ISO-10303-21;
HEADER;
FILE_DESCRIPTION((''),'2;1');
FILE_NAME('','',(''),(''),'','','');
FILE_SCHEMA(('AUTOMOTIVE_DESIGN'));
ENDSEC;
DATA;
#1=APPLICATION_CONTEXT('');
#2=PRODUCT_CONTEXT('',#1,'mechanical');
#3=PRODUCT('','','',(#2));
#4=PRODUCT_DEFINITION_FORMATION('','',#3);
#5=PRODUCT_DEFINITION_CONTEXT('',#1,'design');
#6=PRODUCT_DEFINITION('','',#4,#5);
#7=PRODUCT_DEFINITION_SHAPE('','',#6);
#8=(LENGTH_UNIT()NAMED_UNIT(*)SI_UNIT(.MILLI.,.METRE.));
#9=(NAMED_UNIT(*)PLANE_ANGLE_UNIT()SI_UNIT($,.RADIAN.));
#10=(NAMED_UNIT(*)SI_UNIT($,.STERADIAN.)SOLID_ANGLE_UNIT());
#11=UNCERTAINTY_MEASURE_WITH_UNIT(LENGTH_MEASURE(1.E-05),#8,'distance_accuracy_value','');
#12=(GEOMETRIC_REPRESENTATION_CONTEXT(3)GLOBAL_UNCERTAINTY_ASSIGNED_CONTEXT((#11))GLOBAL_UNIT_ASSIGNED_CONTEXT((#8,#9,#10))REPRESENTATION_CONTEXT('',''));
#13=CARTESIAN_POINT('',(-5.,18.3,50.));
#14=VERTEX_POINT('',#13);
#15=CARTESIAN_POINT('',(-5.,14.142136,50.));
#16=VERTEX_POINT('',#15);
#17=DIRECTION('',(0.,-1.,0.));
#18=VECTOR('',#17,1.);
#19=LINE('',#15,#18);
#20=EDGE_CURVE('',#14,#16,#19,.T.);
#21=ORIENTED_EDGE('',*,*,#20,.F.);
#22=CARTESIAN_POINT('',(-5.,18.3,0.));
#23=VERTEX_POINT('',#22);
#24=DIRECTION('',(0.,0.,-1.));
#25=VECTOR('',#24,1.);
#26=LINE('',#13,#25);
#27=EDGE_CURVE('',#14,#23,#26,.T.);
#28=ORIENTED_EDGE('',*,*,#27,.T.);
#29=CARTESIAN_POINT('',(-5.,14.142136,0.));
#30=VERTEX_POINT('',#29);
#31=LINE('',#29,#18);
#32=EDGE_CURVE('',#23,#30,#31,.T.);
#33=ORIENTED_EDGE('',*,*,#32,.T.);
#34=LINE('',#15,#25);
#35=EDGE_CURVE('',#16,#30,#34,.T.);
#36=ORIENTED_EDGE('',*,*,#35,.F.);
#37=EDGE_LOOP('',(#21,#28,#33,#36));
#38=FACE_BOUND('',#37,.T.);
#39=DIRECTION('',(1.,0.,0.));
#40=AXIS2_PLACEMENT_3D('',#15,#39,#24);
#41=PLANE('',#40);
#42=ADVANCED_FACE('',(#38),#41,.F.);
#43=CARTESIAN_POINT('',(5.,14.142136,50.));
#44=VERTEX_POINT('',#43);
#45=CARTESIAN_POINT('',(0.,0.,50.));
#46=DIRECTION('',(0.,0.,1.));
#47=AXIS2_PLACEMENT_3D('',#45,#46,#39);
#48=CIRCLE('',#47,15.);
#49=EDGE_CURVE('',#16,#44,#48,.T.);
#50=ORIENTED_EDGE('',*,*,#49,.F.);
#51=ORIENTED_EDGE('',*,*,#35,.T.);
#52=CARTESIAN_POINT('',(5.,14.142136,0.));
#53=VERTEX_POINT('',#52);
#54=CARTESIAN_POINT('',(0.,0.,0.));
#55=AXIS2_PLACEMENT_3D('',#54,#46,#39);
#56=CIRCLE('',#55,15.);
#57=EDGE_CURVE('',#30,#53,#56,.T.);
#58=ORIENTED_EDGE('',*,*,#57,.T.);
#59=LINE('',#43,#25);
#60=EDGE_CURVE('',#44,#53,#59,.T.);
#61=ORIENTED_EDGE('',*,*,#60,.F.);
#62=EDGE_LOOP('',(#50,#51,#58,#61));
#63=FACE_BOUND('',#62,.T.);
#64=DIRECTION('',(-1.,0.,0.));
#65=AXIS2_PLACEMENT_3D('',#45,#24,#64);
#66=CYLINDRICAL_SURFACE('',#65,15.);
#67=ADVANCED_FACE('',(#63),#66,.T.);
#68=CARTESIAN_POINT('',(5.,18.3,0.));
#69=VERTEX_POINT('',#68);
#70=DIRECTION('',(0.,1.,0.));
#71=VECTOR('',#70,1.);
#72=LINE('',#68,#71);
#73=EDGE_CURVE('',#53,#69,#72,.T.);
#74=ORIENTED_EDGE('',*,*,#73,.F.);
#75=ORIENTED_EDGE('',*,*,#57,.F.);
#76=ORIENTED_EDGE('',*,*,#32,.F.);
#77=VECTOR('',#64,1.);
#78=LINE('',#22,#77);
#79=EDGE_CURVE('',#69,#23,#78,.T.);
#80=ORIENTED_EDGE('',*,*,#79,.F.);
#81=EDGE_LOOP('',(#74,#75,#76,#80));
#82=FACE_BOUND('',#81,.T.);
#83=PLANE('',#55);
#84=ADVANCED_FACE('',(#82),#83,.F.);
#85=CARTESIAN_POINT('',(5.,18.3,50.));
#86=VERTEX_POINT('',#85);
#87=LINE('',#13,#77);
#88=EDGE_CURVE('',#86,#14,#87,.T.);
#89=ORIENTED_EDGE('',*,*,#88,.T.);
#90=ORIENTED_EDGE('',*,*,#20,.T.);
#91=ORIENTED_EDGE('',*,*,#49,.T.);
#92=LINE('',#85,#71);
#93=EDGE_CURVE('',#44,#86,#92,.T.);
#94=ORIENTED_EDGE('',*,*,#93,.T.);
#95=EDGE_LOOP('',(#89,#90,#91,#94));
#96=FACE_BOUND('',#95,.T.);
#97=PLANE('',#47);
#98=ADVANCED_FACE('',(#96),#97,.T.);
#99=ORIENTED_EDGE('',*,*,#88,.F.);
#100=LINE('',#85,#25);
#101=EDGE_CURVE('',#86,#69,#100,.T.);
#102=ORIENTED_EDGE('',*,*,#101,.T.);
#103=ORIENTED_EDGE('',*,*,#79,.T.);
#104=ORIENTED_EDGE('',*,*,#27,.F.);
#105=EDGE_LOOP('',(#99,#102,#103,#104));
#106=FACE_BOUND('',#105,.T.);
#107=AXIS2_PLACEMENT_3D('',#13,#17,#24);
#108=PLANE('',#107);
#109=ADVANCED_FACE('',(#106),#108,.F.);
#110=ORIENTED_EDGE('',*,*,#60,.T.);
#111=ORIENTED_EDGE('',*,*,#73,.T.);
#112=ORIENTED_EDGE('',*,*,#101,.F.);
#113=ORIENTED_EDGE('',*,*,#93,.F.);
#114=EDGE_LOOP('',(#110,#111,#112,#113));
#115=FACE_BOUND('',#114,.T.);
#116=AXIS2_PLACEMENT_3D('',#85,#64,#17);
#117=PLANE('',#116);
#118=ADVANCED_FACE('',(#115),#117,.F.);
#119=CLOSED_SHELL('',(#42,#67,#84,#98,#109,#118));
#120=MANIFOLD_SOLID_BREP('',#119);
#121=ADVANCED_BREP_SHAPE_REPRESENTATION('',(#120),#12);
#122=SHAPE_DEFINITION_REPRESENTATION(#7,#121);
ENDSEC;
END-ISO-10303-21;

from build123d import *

# Parameters (mm, degrees)
BOSS_EXTRUDE1_DEPTH = 50


with BuildPart() as part:
    # Sketch1 → Boss-Extrude1 (new body)
    with BuildSketch(Plane.XY):
        with BuildLine():
            Line((-5, 14.142135624), (-5, 18.3))
            Line((-5, 18.3), (5, 18.3))
            Line((5, 18.3), (5, 14.142135624))
            ThreePointArc((5, 14.142135624), (0, -15), (-5, 14.142135624))
        make_face()
    extrude(amount=BOSS_EXTRUDE1_DEPTH)


solid = part.part
